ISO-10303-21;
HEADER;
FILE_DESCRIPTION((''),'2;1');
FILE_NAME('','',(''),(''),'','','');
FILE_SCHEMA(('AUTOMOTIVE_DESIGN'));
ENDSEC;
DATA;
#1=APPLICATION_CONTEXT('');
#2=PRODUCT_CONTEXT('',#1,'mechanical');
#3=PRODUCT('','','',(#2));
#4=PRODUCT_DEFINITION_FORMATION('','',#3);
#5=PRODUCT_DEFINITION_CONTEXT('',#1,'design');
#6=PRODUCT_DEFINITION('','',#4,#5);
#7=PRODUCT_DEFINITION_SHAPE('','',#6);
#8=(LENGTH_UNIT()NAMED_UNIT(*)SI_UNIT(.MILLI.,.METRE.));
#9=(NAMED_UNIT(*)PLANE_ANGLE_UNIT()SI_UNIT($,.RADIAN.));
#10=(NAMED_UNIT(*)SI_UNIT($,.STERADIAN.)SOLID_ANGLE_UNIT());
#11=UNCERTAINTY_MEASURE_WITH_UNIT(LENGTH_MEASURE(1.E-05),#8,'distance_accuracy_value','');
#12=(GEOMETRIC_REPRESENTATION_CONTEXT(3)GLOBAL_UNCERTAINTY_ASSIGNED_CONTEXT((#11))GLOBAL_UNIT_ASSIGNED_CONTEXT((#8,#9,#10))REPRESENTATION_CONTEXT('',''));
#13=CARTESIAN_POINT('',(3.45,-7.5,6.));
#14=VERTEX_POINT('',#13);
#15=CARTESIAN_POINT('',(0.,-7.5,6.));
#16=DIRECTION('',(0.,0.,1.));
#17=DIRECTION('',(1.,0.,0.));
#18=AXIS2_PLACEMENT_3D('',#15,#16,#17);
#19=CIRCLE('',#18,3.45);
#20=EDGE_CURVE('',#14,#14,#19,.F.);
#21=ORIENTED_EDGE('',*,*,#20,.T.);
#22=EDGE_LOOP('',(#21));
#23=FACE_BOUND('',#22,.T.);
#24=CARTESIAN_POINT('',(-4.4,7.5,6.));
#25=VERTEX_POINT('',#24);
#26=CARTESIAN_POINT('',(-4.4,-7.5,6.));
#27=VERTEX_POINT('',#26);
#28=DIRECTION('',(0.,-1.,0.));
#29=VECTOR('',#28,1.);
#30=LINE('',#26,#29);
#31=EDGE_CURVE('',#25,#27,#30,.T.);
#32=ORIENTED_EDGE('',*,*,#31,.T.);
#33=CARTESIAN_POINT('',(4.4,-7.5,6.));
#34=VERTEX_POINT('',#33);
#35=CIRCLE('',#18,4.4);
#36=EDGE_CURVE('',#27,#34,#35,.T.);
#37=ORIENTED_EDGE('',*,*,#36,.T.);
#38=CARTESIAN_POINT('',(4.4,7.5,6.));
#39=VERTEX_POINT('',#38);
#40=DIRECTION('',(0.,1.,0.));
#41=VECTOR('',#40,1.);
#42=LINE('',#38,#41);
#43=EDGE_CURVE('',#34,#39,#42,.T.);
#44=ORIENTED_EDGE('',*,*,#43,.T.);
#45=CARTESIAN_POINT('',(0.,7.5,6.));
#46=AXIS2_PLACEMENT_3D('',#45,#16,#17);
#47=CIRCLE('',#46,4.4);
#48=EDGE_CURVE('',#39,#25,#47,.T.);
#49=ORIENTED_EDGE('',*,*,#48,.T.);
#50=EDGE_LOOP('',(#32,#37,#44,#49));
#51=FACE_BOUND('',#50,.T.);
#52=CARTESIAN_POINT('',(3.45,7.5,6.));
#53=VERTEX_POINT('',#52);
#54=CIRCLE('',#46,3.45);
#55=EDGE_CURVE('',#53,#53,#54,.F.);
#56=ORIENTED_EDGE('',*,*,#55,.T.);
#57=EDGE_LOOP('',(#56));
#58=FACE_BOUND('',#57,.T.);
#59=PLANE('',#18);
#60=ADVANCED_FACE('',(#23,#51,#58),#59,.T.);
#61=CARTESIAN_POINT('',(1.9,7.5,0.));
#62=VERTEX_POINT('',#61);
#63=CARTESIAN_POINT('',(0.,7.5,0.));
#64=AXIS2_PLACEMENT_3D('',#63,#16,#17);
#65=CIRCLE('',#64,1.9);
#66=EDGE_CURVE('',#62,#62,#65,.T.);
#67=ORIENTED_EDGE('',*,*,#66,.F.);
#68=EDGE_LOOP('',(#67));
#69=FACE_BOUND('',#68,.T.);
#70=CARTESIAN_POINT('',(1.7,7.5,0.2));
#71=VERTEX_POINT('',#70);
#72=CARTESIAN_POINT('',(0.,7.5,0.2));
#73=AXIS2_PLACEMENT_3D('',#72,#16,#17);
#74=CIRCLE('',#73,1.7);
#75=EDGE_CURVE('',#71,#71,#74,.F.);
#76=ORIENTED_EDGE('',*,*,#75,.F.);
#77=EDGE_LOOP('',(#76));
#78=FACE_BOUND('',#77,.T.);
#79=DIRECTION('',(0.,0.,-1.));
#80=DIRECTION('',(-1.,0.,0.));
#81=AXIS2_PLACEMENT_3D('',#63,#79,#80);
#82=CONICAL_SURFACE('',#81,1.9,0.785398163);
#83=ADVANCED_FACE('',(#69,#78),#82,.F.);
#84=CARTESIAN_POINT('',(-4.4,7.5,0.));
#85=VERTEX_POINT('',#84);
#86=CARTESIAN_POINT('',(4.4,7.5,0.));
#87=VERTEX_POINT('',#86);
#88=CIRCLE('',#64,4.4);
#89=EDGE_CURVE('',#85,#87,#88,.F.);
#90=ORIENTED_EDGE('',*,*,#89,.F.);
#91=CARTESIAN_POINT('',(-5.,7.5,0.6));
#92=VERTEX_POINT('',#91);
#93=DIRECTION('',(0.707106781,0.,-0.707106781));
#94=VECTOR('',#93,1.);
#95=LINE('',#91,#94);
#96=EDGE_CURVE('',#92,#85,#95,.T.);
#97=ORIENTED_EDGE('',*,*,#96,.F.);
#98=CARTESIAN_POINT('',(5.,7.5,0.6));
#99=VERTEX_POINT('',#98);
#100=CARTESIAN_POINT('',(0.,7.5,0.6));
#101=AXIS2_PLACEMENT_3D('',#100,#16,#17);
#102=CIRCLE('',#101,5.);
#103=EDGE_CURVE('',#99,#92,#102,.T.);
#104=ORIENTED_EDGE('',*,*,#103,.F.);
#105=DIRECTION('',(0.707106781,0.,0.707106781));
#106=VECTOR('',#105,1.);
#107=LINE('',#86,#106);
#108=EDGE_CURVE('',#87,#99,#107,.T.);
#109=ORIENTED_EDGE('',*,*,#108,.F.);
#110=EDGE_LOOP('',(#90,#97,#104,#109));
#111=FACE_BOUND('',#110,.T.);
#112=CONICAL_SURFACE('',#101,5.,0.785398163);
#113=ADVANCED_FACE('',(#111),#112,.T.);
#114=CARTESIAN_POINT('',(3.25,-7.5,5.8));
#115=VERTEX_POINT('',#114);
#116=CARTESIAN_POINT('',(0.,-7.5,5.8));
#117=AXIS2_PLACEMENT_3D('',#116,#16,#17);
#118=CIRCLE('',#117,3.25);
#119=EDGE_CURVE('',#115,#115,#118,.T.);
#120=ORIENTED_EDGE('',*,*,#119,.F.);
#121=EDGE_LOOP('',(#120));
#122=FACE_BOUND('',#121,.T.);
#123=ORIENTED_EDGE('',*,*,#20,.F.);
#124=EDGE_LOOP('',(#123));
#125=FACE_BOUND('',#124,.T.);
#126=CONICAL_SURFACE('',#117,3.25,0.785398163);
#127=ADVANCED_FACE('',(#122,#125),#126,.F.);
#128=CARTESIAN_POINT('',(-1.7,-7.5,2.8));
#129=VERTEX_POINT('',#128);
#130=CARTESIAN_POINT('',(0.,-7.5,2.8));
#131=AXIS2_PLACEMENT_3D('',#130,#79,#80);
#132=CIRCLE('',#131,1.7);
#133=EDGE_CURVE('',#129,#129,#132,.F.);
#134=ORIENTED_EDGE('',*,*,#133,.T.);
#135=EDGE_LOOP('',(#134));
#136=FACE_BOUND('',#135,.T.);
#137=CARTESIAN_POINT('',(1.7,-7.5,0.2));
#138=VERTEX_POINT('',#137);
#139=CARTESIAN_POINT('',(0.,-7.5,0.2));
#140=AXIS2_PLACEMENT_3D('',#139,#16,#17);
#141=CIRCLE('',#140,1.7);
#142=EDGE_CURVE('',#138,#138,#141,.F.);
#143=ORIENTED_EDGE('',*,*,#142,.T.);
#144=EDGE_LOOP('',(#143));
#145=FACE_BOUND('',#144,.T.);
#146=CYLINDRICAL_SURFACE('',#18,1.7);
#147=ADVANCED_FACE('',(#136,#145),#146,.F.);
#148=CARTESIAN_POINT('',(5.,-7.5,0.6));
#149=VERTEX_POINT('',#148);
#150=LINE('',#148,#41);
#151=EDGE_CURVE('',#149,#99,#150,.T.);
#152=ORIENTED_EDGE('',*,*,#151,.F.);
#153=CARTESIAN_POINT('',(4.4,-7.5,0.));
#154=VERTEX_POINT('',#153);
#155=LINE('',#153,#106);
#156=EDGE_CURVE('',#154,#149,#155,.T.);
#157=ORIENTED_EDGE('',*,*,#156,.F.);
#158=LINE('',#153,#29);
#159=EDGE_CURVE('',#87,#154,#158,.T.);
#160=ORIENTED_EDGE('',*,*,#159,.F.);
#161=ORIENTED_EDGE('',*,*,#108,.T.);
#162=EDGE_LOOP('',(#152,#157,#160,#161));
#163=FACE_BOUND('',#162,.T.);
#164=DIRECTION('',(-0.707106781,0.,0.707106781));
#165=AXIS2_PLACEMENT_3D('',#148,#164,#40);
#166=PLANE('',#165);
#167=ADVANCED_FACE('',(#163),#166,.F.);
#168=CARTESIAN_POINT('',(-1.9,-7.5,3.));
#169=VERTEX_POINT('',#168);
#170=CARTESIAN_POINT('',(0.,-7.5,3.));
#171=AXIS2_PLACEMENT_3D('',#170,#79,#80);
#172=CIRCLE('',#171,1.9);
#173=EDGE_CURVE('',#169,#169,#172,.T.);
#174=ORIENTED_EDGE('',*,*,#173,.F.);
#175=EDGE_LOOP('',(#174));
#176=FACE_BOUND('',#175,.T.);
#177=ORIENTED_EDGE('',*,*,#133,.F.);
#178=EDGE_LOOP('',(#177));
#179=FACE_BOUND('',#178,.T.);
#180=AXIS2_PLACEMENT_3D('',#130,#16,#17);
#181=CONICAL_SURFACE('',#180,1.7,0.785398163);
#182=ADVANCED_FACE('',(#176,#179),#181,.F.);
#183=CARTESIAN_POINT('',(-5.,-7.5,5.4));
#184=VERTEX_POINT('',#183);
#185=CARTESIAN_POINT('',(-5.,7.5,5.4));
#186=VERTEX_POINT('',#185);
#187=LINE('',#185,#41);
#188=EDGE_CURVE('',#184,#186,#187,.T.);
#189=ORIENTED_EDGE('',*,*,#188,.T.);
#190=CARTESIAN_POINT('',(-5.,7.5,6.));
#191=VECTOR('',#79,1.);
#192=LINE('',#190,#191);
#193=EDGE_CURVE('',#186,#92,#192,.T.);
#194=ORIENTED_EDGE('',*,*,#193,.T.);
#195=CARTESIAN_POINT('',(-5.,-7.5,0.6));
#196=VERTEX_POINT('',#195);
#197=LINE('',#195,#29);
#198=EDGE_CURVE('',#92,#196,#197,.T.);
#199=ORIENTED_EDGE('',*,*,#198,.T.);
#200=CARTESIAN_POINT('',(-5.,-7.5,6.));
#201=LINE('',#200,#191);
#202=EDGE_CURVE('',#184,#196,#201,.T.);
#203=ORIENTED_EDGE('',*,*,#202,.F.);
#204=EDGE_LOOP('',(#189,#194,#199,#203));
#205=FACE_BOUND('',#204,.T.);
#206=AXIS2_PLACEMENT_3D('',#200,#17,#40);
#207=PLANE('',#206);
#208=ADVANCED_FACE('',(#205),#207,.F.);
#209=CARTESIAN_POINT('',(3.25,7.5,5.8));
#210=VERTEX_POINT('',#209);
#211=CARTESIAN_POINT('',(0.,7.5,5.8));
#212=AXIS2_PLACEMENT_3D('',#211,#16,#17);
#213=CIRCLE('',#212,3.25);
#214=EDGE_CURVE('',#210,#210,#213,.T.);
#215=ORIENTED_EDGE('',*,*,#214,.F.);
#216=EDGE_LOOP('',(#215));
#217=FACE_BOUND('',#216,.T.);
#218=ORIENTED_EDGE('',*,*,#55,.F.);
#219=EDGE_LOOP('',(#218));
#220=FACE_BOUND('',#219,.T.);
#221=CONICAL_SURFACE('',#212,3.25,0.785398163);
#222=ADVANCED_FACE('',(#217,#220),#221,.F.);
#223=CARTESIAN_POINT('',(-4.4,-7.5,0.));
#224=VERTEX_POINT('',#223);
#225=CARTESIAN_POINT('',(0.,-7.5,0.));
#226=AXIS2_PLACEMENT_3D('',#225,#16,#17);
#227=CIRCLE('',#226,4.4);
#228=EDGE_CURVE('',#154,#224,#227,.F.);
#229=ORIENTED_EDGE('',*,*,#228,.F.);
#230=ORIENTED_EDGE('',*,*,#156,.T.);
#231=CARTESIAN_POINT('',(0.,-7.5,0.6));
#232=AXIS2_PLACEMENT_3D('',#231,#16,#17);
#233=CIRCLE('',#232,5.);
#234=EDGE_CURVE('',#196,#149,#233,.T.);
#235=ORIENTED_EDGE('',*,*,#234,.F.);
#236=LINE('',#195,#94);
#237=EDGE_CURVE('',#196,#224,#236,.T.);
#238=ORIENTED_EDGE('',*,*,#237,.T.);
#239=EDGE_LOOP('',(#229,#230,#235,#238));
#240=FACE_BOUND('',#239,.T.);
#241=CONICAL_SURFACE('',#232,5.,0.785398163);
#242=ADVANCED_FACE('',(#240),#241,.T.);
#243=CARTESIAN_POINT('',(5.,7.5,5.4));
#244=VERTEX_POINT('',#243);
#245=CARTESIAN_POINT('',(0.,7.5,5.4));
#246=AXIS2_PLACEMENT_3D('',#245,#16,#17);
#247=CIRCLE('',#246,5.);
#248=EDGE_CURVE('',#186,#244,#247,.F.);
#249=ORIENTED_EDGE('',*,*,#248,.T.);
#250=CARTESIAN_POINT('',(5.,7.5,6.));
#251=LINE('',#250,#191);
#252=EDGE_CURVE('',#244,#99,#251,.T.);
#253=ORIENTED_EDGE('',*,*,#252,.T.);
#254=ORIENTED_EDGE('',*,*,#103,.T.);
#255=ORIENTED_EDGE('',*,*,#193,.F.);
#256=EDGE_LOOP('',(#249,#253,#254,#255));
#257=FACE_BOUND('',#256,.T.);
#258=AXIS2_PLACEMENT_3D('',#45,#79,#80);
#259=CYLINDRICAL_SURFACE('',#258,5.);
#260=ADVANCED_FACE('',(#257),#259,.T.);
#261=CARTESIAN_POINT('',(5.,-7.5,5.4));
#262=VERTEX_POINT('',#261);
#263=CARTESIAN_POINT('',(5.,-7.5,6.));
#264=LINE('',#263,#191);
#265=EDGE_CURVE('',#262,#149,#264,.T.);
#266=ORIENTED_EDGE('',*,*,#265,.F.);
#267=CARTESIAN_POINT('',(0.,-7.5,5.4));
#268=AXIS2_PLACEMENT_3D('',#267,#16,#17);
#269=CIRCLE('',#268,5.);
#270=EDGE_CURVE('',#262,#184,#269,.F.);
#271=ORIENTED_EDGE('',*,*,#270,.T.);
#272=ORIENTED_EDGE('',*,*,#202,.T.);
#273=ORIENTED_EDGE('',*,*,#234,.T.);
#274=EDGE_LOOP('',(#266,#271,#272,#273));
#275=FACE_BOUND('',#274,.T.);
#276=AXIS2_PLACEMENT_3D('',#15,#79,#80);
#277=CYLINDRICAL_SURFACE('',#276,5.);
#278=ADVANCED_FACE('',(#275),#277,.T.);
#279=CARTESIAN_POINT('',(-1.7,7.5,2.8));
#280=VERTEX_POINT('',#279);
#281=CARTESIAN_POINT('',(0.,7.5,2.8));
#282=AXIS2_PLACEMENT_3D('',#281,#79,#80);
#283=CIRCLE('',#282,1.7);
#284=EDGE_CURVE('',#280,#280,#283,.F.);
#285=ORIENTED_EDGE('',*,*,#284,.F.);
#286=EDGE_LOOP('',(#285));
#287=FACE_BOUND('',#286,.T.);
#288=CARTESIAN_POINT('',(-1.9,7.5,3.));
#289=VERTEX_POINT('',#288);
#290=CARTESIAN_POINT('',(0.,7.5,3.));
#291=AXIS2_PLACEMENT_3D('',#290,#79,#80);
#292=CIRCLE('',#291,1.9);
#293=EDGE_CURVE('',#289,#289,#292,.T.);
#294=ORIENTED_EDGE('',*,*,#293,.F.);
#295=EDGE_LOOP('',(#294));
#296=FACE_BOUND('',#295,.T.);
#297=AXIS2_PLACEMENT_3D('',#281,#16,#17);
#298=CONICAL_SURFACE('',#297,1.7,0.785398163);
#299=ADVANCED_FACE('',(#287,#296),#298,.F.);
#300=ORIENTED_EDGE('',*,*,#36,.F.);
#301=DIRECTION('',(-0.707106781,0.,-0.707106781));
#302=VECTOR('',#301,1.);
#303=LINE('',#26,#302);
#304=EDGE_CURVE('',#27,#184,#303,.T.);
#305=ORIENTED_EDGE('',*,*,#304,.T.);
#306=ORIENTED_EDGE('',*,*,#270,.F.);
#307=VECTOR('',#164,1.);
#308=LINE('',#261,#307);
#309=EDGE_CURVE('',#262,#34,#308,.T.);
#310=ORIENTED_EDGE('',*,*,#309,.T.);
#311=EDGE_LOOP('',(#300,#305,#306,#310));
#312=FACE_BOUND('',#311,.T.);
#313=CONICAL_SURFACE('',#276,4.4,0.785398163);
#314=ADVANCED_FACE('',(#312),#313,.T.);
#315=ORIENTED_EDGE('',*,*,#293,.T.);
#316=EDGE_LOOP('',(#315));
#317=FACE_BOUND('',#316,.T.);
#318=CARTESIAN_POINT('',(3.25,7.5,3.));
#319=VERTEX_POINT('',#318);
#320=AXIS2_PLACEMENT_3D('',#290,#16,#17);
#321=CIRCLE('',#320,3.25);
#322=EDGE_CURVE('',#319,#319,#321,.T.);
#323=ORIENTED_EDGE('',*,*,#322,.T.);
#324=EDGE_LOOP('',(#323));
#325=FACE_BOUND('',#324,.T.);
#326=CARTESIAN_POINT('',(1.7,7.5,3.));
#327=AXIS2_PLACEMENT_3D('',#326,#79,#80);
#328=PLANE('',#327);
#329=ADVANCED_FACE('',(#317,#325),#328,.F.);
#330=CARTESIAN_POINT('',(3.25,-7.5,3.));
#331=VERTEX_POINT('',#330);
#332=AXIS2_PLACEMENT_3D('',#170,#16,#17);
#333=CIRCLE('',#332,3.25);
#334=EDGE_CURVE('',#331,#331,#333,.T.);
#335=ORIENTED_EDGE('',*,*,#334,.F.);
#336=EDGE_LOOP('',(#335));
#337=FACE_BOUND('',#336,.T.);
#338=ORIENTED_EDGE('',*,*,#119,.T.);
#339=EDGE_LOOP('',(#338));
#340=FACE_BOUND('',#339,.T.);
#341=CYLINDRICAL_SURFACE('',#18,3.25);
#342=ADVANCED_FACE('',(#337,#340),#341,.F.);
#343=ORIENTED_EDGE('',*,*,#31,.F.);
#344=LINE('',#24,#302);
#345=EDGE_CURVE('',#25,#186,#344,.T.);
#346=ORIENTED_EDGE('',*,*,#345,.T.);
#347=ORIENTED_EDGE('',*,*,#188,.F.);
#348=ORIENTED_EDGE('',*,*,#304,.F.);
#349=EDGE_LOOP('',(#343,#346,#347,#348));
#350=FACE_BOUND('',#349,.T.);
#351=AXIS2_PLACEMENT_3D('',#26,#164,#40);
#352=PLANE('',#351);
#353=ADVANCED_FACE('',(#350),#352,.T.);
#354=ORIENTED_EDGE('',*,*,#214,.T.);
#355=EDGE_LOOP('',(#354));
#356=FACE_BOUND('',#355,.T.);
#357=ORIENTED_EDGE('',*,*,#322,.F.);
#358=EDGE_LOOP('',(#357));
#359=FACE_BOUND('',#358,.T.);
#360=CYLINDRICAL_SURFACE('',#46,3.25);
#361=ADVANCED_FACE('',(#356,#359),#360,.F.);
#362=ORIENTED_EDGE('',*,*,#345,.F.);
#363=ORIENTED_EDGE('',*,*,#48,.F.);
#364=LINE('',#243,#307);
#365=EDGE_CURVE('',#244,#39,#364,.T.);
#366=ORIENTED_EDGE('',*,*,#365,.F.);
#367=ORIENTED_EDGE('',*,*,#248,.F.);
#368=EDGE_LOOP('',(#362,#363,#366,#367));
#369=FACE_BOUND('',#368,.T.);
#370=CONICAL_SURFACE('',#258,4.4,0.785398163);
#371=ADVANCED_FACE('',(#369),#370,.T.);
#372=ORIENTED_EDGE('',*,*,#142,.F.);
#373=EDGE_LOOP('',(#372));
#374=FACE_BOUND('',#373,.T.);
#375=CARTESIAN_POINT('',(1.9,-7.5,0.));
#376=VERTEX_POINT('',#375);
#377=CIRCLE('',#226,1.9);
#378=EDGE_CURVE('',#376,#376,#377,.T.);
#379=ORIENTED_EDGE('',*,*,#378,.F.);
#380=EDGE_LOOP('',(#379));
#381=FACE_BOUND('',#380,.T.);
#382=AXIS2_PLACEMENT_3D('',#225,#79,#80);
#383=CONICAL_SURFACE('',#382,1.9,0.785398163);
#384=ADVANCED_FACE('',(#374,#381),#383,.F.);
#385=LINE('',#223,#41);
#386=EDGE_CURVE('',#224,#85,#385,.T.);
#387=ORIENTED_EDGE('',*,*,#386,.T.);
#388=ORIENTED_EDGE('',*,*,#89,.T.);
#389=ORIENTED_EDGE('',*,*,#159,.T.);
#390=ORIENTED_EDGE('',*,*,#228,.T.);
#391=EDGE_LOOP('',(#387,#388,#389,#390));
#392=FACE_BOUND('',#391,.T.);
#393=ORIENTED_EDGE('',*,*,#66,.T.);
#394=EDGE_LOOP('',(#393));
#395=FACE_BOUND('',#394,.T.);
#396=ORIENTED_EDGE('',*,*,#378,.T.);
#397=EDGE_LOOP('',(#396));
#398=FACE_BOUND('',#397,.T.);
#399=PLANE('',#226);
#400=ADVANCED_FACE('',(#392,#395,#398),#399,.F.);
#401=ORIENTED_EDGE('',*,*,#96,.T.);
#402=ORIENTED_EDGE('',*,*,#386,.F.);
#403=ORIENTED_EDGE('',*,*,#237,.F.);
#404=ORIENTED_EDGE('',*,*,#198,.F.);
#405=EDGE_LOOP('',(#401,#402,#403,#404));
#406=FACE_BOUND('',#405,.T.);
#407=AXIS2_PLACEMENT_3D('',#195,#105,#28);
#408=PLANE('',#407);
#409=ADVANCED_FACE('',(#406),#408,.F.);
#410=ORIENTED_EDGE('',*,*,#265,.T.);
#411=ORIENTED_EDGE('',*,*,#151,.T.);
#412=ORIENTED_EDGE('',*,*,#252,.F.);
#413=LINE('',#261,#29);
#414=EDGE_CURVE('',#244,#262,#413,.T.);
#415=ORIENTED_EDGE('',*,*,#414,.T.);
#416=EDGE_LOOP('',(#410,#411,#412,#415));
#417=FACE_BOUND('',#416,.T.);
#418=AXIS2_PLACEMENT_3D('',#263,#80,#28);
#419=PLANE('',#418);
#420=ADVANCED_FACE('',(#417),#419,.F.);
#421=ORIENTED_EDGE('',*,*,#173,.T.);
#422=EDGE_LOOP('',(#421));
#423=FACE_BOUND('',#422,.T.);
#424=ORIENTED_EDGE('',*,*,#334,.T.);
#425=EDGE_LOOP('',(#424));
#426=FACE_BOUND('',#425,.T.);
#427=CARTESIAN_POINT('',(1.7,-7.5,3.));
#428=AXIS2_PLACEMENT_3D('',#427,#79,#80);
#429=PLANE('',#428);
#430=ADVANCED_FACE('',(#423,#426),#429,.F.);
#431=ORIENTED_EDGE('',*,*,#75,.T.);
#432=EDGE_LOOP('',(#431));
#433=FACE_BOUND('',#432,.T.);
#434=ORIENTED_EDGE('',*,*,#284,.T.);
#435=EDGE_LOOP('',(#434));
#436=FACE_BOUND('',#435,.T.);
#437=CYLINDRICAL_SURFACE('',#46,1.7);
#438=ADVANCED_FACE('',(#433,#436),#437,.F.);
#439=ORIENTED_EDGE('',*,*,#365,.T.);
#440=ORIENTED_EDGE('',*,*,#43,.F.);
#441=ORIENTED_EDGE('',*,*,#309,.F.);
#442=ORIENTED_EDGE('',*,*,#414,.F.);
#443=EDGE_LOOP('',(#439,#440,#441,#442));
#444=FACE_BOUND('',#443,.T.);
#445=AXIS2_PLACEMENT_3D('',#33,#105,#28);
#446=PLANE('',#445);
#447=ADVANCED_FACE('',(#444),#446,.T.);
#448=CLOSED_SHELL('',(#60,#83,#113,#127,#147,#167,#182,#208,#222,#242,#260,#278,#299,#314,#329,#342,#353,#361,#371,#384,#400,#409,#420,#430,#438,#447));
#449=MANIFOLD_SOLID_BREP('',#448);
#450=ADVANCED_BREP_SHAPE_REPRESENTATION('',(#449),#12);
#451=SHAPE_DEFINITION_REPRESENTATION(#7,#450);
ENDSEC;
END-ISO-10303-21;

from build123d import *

# Parameters (mm, degrees)
BOSS_EXTRUDE1_DEPTH            = 6
CHAMFER1_SIZE                  = 0.6
CBORE_FOR_M3_SHCS1_D           = 3.4
CBORE_FOR_M3_SHCS1_CBORE_D     = 6.5
CBORE_FOR_M3_SHCS1_CBORE_DEPTH = 3
DEBURS_SIZE                    = 0.2


with BuildPart() as part:
    # Sketch1 → Boss-Extrude1 (new body)
    with BuildSketch(Plane.XY):
        with BuildLine():
            Line((-5, -7.5), (-5, 7.5))
            ThreePointArc((-5, 7.5), (0, 12.5), (5, 7.5))
            Line((5, 7.5), (5, -7.5))
            ThreePointArc((5, -7.5), (0, -12.5), (-5, -7.5))
        make_face()
    extrude(amount=BOSS_EXTRUDE1_DEPTH)

    # Chamfer1
    chamfer1_edges = [part.edges().sort_by_distance(p)[0] for p in [
        (0, 12.5, 6),
        (-5, 0, 6),
        (0, -12.5, 6),
        (-5, 0, 0),
        (0, 12.5, 0),
        (5, 0, 0),
        (0, -12.5, 0),
        (5, 0, 6),
    ]]
    chamfer(chamfer1_edges, length=CHAMFER1_SIZE)

    # CBORE for M3 SHCS1 (through all)
    with Locations(Plane.XY.offset(6)):
        with Locations((0, 7.5), (0, -7.5)):
            CounterBoreHole(CBORE_FOR_M3_SHCS1_D / 2, CBORE_FOR_M3_SHCS1_CBORE_D / 2, CBORE_FOR_M3_SHCS1_CBORE_DEPTH)

    # Deburs
    deburs_edges = [part.edges().sort_by_distance(p)[0] for p in [
        (-3.25, -7.5, 6),
        (1.7, -7.5, 0),
        (1.7, -7.5, 3),
        (-3.25, 7.5, 6),
        (1.7, 7.5, 0),
        (1.7, 7.5, 3),
    ]]
    chamfer(deburs_edges, length=DEBURS_SIZE)


solid = part.part
